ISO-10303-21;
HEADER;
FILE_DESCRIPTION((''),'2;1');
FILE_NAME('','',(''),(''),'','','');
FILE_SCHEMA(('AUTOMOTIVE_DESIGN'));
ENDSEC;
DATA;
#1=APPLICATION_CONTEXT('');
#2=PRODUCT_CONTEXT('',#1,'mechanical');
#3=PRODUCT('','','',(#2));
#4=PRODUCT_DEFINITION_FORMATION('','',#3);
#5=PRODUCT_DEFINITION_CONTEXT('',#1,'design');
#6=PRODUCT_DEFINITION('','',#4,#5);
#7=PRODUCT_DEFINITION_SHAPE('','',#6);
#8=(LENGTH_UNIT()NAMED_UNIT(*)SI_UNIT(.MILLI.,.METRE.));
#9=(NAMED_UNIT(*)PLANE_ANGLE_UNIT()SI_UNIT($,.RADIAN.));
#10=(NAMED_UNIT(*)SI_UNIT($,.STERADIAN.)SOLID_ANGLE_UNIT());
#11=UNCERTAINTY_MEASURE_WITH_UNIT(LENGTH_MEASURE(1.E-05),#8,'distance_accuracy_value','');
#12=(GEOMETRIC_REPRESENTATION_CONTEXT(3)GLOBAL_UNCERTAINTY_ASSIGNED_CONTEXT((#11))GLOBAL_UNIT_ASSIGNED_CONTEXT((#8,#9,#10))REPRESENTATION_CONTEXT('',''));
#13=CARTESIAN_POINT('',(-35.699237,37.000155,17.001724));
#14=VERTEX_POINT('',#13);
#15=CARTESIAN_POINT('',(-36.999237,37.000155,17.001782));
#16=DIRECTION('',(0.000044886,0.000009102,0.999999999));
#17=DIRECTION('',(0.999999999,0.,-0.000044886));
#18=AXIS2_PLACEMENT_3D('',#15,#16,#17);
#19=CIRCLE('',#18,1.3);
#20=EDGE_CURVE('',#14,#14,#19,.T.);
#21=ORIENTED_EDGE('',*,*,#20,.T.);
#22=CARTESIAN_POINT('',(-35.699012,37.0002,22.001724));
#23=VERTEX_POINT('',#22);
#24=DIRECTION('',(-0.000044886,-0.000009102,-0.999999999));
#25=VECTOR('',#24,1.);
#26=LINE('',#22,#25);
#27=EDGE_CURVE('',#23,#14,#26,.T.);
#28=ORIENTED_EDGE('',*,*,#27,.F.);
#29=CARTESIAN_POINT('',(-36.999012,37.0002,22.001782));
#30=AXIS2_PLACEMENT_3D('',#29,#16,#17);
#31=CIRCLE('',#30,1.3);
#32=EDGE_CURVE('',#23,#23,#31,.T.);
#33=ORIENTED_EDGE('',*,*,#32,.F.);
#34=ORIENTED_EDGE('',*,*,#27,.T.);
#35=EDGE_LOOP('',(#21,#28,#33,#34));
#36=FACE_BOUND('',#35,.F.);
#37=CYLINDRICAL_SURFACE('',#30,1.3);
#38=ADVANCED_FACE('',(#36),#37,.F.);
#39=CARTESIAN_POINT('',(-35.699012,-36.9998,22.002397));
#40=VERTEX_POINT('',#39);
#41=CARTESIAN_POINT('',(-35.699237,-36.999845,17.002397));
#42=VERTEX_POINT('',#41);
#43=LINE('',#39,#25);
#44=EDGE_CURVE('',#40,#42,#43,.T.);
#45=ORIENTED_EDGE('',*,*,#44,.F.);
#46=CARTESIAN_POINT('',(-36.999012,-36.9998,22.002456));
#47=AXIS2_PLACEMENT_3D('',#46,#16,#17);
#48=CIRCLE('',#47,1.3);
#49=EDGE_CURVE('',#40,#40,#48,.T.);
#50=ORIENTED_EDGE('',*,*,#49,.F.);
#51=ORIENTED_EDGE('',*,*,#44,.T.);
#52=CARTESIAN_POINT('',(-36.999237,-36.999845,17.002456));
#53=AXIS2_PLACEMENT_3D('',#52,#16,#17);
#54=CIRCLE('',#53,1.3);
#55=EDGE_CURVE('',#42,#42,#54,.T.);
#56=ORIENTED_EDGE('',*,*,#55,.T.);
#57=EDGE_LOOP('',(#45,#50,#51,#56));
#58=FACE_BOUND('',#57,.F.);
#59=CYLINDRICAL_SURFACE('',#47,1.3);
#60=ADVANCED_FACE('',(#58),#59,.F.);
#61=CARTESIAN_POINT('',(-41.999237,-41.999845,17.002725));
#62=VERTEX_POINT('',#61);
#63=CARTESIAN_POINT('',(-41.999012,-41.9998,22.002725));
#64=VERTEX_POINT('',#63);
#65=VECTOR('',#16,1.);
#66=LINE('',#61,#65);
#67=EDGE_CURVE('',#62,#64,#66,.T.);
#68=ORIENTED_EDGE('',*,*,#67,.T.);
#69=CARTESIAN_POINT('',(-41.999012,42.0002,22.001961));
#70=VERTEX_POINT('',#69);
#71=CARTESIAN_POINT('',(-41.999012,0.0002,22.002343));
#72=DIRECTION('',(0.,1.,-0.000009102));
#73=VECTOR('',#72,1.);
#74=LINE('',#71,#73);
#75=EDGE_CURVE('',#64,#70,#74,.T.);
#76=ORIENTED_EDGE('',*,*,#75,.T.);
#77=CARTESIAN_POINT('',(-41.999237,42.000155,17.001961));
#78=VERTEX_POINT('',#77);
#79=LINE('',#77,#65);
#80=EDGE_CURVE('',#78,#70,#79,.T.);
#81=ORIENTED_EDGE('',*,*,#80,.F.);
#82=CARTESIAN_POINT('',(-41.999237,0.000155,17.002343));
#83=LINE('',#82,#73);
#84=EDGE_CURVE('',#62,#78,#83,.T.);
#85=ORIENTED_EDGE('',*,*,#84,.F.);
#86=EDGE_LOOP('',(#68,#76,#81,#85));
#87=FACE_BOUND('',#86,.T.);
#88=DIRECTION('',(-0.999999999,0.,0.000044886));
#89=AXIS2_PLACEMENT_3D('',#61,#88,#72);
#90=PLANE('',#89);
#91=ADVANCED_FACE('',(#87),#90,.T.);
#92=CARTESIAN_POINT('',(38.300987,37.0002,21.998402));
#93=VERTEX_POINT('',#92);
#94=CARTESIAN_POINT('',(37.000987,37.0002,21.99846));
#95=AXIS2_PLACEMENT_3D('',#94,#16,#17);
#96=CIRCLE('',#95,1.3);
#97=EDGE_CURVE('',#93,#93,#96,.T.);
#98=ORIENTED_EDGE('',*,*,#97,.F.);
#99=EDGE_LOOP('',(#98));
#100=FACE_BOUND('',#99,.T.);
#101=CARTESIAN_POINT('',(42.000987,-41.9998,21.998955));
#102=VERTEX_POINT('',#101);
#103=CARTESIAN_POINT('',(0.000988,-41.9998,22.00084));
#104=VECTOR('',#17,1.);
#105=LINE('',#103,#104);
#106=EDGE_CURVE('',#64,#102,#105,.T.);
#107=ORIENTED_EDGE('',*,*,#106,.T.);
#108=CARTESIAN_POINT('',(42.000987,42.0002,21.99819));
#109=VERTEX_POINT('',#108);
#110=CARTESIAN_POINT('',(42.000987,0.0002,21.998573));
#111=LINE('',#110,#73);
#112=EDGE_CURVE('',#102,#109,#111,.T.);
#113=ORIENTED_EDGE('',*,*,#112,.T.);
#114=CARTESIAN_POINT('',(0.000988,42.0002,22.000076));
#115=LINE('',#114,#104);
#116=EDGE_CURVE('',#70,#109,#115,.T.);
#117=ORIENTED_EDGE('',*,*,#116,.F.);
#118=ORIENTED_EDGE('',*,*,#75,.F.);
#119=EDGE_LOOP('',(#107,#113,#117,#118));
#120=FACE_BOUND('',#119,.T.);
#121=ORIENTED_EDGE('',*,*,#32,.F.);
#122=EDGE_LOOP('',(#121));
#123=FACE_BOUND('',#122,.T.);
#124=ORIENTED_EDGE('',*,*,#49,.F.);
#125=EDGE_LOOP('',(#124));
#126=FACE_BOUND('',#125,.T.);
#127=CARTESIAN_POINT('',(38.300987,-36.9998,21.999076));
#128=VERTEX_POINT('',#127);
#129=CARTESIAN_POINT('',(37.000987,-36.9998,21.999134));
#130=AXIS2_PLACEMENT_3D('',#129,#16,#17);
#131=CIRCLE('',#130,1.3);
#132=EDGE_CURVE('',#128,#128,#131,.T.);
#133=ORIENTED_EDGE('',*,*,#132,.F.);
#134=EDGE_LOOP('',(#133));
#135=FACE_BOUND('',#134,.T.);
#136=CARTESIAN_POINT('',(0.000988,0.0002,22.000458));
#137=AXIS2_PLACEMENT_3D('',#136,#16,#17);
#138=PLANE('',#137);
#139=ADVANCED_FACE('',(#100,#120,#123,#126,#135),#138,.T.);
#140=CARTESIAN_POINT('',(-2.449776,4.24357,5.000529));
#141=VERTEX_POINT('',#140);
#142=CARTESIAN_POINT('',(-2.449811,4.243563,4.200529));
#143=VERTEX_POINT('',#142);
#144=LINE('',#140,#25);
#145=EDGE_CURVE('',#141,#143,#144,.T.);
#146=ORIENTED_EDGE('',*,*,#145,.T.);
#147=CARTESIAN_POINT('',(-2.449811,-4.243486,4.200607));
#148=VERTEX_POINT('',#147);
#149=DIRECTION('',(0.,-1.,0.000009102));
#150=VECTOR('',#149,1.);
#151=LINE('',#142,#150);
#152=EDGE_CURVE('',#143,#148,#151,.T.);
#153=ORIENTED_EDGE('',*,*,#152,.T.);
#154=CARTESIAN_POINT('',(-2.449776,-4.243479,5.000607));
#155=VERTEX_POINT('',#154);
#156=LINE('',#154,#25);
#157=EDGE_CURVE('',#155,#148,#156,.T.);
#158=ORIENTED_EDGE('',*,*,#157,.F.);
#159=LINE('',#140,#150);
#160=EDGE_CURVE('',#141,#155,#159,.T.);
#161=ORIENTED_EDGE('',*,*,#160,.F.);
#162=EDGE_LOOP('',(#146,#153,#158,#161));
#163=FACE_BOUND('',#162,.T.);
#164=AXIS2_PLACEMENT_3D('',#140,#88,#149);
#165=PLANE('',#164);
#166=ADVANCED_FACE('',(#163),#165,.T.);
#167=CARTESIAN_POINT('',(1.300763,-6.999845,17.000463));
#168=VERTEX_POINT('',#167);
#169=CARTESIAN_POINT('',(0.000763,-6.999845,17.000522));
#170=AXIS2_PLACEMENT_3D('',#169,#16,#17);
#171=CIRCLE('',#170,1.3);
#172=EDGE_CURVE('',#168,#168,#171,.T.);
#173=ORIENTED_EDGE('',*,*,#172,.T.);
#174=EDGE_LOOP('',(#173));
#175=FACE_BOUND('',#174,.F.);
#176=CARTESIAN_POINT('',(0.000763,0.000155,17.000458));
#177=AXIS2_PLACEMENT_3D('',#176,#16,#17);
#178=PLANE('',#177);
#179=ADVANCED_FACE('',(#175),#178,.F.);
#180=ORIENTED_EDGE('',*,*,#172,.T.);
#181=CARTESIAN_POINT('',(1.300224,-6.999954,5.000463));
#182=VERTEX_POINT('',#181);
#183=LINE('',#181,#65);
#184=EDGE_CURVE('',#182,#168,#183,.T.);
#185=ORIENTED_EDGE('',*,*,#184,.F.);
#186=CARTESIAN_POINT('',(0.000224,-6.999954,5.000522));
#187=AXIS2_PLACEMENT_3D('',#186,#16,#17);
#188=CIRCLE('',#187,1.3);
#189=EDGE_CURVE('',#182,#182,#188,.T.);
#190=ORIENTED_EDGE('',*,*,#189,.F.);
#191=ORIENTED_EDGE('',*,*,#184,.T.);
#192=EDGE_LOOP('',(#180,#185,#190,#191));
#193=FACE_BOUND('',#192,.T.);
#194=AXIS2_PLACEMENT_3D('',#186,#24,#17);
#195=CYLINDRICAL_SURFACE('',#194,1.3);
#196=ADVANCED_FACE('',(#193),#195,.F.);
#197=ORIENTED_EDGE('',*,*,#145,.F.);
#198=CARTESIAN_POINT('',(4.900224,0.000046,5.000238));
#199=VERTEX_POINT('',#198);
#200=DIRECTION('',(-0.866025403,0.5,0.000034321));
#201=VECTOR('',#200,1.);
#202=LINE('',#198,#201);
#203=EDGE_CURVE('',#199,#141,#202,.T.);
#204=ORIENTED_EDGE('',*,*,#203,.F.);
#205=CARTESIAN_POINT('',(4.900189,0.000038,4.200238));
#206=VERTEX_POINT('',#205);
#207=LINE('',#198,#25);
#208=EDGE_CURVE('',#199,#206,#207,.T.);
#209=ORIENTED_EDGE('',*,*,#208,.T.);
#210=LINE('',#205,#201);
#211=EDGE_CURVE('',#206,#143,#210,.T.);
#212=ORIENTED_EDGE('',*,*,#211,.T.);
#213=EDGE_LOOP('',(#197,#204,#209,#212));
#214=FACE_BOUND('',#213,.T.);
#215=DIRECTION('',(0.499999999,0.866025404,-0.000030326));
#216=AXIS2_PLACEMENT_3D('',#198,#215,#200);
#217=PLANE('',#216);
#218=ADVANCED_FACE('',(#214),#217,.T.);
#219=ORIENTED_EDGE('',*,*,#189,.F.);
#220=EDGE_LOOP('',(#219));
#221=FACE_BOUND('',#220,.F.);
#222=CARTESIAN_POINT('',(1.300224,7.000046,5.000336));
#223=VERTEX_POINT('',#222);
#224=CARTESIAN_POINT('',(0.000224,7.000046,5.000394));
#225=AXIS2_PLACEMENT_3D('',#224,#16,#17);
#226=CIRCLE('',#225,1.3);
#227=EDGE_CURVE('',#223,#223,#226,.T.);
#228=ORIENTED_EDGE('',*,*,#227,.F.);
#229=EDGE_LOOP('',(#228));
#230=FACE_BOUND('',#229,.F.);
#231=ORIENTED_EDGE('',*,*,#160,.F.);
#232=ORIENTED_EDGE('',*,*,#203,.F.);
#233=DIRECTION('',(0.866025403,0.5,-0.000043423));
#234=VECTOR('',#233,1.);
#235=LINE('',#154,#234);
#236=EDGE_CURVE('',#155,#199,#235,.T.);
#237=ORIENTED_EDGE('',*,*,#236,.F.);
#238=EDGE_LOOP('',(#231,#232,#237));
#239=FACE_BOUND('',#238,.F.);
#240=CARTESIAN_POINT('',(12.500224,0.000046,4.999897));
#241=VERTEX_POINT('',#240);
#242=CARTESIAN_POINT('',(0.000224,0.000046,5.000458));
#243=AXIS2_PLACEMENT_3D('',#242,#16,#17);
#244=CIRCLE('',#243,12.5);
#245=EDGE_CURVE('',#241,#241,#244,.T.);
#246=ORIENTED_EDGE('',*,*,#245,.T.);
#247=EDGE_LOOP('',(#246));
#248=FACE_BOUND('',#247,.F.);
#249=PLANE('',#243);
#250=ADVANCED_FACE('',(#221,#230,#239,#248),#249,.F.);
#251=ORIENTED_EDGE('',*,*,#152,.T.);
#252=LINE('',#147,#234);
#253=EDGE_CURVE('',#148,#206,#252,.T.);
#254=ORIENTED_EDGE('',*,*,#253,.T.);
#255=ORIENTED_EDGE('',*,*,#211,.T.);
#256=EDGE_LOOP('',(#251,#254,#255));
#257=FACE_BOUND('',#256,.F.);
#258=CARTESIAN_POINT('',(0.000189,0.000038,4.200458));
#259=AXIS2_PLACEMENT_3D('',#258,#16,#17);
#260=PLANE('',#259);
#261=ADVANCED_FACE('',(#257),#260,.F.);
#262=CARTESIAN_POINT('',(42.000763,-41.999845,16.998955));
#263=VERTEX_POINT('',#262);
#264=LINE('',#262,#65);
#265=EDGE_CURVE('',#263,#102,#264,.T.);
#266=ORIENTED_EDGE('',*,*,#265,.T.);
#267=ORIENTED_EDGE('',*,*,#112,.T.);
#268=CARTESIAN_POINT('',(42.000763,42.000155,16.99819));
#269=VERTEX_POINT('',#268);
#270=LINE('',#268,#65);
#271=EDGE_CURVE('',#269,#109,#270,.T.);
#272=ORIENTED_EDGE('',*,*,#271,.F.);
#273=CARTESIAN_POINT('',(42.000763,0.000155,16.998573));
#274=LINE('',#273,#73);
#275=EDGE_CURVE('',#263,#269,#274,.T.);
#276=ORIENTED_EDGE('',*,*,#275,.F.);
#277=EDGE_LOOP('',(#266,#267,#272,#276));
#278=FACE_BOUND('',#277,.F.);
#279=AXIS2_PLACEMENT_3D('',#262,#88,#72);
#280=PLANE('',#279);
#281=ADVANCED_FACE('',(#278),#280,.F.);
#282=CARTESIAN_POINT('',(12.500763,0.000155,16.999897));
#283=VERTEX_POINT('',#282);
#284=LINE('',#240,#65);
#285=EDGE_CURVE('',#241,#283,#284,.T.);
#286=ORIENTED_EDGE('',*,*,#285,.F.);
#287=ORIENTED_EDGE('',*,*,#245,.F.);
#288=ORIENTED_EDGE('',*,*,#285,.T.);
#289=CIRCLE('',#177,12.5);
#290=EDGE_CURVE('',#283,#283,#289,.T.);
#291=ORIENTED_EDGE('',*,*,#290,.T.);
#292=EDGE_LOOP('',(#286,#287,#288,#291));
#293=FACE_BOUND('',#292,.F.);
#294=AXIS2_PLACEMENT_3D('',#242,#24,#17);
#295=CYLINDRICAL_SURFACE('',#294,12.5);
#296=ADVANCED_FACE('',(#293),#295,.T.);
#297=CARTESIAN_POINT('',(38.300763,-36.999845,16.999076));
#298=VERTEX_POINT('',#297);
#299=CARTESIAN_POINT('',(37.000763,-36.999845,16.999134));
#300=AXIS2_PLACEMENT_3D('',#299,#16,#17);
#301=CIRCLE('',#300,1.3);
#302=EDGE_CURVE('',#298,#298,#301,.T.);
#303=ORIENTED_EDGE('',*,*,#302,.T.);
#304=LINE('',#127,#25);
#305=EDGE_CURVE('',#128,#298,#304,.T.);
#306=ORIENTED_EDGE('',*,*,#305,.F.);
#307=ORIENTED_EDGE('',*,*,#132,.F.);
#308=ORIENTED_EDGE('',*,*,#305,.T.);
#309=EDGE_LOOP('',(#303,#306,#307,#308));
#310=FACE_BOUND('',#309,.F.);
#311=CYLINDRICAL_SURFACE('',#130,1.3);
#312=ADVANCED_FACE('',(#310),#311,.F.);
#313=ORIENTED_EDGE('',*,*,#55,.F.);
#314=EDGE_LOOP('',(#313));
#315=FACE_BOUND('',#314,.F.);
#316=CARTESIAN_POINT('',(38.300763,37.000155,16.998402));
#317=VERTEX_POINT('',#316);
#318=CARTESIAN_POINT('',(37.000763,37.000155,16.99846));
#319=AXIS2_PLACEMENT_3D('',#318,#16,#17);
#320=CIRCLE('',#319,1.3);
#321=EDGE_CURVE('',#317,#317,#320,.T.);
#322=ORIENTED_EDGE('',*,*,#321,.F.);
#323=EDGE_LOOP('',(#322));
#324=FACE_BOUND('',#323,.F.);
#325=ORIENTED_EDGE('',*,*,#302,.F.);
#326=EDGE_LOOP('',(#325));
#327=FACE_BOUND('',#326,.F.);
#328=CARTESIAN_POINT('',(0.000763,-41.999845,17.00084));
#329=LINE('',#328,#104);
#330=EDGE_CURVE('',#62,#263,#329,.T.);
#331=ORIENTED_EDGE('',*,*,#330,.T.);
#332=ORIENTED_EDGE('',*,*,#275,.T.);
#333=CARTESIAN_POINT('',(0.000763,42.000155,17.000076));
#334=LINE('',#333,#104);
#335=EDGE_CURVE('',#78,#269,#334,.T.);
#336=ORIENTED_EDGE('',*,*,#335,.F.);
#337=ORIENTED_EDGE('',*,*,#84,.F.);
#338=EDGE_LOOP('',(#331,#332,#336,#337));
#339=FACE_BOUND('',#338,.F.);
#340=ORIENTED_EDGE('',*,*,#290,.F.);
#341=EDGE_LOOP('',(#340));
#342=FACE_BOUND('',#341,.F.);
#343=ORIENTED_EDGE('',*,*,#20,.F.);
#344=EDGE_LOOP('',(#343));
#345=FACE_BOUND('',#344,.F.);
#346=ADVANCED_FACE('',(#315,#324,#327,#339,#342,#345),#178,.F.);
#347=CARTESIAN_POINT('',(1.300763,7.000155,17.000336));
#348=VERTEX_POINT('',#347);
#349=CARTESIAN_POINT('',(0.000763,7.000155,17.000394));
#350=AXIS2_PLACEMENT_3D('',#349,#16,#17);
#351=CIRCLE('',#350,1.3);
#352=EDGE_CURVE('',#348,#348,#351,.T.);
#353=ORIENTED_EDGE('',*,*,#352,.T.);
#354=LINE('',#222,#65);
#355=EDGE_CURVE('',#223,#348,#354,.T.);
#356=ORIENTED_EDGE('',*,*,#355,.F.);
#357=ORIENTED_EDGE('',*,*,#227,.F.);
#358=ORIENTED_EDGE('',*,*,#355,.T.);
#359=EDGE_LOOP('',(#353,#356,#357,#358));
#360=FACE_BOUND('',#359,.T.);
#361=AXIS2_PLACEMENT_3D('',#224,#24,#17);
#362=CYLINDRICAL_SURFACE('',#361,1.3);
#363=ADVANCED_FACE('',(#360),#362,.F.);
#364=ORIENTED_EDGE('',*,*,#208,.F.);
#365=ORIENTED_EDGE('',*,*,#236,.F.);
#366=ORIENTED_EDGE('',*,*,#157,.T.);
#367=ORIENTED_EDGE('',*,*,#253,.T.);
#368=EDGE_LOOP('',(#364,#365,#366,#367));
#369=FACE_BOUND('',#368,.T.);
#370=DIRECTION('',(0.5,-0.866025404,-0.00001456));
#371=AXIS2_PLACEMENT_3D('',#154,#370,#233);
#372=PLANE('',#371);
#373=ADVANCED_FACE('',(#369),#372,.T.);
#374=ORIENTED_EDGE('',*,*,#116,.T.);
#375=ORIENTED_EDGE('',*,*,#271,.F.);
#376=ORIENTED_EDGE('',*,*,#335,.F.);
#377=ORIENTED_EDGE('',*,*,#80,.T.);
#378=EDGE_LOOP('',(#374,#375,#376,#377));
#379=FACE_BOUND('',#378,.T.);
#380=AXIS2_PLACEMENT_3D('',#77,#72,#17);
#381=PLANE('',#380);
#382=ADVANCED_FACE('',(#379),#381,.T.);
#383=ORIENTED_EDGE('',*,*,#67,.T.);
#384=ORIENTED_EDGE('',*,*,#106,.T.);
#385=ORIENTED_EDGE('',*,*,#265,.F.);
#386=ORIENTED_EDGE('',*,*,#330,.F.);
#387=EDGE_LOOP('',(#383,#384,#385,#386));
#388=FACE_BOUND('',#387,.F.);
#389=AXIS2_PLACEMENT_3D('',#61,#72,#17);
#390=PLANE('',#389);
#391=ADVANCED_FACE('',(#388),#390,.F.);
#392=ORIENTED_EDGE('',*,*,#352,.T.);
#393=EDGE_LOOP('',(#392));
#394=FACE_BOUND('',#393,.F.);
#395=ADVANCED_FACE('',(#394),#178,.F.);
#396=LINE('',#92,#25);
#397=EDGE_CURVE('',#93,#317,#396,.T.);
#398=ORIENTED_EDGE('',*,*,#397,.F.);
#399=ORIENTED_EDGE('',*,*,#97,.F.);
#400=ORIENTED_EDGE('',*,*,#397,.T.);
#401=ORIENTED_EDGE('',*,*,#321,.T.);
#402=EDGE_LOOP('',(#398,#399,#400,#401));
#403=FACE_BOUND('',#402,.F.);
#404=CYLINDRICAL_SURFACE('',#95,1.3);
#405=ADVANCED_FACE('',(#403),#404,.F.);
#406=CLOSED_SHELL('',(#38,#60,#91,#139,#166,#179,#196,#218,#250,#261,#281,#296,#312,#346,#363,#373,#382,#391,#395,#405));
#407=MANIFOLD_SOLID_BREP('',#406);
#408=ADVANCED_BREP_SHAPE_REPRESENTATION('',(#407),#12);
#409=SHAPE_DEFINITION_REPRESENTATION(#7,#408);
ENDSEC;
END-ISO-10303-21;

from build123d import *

# Parameters (mm, degrees)
SKETCH003_R     = 12.5
SKETCH003_R_2   = 1.3
PAD_DEPTH       = 12
PAD001_DEPTH    = 0.8
SKETCH005_W     = 84
SKETCH005_H     = 84
PAD002_DEPTH    = 5
SKETCH030_R     = 1.3
POCKET014_DEPTH = 17.8034874046


with BuildPart() as part:
    # Sketch003 (on DatumPlane) → Pad (new body)
    with BuildSketch(Plane(origin=(0.0002244487, 4.55156e-05, 5.000457982), x_dir=(0.999999999, -4e-10, -4.48856e-05), z_dir=(4.48856e-05, 9.1023e-06, 0.999999999))):
        Circle(SKETCH003_R)
        with Locations((0, 7)):
            Circle(SKETCH003_R_2, mode=Mode.SUBTRACT)
        with Locations((0, -7)):
            Circle(SKETCH003_R_2, mode=Mode.SUBTRACT)
    extrude(amount=PAD_DEPTH)

    # Sketch004 (on Face1 of CopyPocket002) → Pad001 (join)
    with BuildSketch(Plane(origin=(0.0002244487, 4.55156e-05, 5.000457982), x_dir=(0.999999999, -4e-10, -4.48856e-05), z_dir=(4.48856e-05, 9.1023e-06, 0.999999999))):
        Polygon((4.9, 0), (-2.45, 4.2435244785), (-2.45, -4.2435244785), align=None)
    extrude(amount=-PAD001_DEPTH)

    # Sketch005 (on Face3 of Pad001) → Pad002 (join)
    with BuildSketch(Plane(origin=(0.0007630761, 0.000154743, 17.0004579694), x_dir=(0.999999999, -4e-10, -4.48856e-05), z_dir=(4.48856e-05, 9.1023e-06, 0.999999999))):
        Rectangle(SKETCH005_W, SKETCH005_H)
    extrude(amount=PAD002_DEPTH)

    # Sketch030 (on Face5 of Pad002) → Pocket014 (cut, through all)
    with BuildSketch(Plane(origin=(0.0009875042, 0.0002002544, 22.0004579641), x_dir=(0.999999999, -4e-10, -4.48856e-05), z_dir=(4.48856e-05, 9.1023e-06, 0.999999999))):
        with Locations((-37, 37)):
            Circle(SKETCH030_R)
        with Locations((-37, -37)):
            Circle(SKETCH030_R)
        with Locations((37, -37)):
            Circle(SKETCH030_R)
        with Locations((37, 37)):
            Circle(SKETCH030_R)
    extrude(amount=-POCKET014_DEPTH, mode=Mode.SUBTRACT)


solid = part.part
